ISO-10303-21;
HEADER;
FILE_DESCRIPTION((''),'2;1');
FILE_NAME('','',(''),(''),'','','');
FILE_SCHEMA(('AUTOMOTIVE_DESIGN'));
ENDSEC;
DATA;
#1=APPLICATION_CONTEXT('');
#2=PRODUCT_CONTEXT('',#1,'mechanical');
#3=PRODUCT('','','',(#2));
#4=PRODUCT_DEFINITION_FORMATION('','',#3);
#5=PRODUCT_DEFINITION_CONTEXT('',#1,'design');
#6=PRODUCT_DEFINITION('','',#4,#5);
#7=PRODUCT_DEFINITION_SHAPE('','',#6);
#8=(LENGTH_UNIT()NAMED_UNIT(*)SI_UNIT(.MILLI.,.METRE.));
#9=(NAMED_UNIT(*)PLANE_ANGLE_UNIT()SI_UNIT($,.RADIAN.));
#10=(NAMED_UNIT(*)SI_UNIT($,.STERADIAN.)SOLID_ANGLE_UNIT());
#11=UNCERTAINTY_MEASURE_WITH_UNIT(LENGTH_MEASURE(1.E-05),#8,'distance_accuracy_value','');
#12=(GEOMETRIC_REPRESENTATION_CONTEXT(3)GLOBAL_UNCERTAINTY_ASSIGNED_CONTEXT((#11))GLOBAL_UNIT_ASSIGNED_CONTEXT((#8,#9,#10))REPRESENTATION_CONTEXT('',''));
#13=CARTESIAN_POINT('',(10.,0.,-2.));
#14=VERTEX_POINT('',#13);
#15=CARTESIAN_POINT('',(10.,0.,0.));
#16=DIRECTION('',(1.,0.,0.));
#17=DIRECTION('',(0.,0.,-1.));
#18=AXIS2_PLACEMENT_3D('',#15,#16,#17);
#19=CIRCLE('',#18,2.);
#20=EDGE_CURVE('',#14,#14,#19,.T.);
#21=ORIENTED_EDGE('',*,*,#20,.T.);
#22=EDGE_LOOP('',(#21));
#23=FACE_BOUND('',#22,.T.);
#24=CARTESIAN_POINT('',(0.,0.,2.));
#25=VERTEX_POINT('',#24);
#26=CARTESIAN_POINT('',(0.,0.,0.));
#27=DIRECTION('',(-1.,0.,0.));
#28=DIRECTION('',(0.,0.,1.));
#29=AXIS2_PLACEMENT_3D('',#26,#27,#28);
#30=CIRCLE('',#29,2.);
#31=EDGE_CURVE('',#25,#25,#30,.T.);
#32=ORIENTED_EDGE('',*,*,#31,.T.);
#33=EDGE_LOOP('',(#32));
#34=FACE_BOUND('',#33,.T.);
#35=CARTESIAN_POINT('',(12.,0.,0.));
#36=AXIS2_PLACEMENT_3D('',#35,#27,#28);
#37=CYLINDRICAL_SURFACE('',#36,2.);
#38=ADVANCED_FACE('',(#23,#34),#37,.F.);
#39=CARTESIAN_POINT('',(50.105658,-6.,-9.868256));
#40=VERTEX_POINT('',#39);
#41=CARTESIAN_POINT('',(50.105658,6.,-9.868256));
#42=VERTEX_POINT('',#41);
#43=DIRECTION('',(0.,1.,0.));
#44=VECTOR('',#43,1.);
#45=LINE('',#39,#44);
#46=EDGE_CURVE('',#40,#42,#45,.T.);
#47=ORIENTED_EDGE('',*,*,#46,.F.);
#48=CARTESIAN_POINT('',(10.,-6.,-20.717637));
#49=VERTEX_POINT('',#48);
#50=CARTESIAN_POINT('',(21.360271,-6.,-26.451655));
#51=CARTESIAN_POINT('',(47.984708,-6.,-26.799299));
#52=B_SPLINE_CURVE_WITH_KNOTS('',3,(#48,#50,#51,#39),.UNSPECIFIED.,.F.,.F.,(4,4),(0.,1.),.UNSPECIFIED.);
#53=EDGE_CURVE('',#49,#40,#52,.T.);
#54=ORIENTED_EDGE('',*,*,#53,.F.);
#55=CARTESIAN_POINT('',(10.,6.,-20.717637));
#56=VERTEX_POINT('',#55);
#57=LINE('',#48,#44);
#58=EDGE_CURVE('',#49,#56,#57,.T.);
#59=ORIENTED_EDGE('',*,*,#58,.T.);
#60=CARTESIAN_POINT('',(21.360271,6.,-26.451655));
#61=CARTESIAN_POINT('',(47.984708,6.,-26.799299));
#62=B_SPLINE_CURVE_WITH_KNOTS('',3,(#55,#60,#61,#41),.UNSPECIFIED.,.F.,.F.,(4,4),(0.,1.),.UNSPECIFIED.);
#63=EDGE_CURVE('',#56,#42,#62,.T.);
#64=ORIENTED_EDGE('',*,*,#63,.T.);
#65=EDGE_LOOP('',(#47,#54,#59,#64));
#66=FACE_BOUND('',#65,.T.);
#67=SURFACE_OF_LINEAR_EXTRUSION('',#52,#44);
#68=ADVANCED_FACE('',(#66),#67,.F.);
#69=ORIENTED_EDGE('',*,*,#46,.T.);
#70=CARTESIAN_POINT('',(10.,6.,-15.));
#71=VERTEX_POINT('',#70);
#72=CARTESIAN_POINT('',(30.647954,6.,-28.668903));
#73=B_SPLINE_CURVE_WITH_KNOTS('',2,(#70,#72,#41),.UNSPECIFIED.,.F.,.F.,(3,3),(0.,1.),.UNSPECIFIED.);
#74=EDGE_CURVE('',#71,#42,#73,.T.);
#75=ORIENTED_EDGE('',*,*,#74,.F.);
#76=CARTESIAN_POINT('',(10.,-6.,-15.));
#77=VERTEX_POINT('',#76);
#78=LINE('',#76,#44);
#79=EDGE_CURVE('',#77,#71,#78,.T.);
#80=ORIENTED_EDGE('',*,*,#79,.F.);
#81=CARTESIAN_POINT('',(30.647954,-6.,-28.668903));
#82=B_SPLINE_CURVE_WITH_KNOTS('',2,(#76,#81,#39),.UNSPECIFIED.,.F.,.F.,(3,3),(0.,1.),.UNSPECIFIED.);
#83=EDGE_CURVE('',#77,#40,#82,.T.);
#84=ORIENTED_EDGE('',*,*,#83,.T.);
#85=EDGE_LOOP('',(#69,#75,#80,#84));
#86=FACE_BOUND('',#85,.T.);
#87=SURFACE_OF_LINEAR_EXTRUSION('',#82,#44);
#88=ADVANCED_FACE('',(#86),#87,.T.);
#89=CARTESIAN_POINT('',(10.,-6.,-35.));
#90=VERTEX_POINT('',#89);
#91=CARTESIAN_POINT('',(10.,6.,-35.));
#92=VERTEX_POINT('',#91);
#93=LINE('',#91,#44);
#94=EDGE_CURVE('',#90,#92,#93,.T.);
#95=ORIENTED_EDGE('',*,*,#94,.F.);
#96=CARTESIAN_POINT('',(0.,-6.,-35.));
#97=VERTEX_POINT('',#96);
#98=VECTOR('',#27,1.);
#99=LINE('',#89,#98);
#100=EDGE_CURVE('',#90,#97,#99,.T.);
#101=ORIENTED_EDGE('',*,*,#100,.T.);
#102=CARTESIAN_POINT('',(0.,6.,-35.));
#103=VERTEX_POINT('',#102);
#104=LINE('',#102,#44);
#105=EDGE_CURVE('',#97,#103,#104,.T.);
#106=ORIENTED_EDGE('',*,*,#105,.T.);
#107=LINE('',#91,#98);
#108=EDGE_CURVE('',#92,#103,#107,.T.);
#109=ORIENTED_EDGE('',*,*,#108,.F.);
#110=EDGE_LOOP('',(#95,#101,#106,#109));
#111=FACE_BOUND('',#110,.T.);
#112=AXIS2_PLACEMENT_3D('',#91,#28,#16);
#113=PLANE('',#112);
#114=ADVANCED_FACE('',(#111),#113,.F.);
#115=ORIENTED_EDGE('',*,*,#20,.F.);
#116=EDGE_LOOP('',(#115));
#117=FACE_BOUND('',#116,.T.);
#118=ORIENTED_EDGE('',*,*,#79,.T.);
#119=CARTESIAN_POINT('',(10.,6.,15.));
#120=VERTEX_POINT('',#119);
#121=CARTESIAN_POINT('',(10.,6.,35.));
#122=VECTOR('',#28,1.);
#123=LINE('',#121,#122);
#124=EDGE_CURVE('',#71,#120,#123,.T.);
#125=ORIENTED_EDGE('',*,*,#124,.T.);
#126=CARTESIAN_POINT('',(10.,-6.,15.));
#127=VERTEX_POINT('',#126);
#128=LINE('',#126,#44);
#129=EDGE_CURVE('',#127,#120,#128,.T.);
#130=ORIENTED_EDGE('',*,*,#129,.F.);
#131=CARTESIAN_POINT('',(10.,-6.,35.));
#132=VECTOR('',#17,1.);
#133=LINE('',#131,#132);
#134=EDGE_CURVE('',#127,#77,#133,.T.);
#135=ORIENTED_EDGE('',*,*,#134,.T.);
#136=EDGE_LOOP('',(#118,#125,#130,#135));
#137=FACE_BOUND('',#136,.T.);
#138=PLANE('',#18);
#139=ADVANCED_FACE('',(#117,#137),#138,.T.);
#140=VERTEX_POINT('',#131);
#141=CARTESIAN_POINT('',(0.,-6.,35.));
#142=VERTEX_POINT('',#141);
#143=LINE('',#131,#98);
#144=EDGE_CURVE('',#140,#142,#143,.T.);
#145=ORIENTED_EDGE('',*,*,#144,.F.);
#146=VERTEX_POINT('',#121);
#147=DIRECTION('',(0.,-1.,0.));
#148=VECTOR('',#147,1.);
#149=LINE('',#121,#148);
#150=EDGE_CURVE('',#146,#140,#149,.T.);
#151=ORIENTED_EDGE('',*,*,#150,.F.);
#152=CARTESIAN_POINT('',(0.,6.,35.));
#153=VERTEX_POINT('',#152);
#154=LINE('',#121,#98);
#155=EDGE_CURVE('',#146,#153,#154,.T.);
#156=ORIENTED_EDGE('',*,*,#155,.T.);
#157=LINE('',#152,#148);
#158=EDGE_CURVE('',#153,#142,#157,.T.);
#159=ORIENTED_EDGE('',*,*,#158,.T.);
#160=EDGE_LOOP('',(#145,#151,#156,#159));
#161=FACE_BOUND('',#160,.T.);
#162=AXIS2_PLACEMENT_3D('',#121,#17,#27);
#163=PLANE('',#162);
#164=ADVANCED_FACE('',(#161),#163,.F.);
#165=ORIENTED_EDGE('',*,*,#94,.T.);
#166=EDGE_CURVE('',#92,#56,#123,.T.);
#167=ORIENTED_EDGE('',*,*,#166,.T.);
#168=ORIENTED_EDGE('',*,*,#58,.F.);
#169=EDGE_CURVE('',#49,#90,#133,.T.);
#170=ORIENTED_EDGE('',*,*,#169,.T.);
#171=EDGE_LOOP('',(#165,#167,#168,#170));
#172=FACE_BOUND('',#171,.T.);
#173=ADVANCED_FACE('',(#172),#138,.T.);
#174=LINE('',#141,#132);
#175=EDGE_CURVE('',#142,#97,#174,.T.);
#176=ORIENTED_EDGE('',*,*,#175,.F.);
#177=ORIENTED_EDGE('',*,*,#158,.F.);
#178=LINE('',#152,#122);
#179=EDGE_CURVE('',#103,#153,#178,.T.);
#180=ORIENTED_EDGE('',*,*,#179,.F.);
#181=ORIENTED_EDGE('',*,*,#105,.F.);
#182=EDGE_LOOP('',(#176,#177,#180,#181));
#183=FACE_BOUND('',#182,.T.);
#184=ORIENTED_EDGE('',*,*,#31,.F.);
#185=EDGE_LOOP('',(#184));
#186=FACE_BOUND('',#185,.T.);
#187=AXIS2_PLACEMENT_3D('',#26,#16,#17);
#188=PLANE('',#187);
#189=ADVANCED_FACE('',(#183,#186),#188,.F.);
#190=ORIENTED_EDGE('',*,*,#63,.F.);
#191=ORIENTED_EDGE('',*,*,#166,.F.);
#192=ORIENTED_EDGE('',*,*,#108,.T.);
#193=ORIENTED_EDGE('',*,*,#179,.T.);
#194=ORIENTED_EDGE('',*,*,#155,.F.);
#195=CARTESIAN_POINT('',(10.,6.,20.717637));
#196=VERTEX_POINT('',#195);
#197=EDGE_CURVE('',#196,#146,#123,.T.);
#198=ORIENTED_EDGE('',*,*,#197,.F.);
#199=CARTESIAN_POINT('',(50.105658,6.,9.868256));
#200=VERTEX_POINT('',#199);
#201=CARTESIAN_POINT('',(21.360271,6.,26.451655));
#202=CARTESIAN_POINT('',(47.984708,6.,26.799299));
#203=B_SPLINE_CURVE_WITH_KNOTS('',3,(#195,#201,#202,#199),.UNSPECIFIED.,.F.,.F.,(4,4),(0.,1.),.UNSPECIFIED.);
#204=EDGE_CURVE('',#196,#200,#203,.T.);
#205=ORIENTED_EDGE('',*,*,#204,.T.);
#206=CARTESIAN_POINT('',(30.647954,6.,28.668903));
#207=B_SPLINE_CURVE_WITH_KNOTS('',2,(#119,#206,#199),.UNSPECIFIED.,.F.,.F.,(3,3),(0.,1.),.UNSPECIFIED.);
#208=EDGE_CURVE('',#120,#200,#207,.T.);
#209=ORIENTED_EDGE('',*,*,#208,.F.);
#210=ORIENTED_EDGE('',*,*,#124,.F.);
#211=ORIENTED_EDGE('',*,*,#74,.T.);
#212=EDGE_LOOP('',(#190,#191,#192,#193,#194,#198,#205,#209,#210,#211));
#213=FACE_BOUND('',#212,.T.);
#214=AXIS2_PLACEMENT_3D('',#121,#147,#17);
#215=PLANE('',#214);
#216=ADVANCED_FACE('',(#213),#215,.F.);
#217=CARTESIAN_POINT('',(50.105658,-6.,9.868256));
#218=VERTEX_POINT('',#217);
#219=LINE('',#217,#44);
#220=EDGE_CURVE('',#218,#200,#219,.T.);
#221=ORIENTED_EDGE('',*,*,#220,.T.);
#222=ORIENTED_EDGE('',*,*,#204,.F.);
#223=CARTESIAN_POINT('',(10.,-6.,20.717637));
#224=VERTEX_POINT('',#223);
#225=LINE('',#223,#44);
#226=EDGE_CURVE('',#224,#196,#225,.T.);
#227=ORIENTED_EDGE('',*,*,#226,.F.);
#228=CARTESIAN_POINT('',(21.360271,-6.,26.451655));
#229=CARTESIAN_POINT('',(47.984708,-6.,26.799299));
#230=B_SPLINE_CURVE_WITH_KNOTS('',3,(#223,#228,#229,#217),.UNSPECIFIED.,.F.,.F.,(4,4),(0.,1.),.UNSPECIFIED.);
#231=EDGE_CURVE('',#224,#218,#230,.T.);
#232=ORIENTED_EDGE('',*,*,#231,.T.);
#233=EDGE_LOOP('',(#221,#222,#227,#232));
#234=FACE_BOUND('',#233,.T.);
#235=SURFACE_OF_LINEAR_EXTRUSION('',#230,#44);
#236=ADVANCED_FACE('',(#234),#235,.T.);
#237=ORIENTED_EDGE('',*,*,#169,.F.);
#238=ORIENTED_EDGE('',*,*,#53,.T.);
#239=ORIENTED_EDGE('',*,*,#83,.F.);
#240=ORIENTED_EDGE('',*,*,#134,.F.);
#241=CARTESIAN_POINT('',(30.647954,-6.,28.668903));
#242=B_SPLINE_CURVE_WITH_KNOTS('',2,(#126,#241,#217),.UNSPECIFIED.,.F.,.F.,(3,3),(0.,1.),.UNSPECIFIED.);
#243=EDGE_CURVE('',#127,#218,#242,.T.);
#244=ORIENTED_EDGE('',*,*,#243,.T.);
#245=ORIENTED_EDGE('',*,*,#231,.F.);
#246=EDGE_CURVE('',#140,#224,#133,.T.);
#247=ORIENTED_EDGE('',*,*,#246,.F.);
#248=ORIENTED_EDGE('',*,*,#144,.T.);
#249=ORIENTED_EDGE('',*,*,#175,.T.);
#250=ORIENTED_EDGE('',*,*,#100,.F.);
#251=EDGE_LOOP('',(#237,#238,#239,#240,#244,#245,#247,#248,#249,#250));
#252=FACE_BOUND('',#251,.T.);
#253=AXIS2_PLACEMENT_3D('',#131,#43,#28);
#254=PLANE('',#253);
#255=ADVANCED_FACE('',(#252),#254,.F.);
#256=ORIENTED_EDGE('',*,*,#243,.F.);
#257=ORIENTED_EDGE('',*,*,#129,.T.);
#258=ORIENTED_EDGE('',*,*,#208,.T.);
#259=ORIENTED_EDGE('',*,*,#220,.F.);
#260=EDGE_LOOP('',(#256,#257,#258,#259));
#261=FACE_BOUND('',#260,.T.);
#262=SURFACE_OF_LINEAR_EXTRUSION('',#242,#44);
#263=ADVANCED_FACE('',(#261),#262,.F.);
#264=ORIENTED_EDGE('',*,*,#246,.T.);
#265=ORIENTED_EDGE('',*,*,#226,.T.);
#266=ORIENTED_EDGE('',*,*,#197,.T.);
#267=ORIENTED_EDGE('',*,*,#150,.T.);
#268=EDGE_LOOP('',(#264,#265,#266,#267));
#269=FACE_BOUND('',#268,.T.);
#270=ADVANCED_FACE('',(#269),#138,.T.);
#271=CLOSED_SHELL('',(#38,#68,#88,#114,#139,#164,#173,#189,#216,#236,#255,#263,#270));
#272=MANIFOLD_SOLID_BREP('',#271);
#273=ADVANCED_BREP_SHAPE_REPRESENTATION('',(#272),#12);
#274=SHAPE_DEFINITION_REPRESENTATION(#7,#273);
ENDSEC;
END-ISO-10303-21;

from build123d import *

# Parameters (mm, degrees)
SKETCH1_W           = 70
SKETCH1_H           = 12
BOSS_EXTRUDE1_DEPTH = 10
BOSS_EXTRUDE2_DEPTH = 12
SKETCH3_R           = 2
CUT_EXTRUDE1_DEPTH  = 12


with BuildPart() as part:
    # Sketch1 → Boss-Extrude1 (new body)
    with BuildSketch(Plane(origin=(0, 0, 0), x_dir=(0, 0, -1), z_dir=(1, 0, 0))):
        Rectangle(SKETCH1_W, SKETCH1_H)
    extrude(amount=BOSS_EXTRUDE1_DEPTH)

    # Sketch2 → Boss-Extrude2 (add)
    with BuildSketch(Plane(origin=(0, 6, 0), x_dir=(1, 0, 0), z_dir=(0, 1, 0))):
        with BuildLine():
            add(Edge.make_bspline(
                [(10, -15), (30.647953976, -28.668903478), (50.105658194, -9.868255971)],
                knots=[0, 0, 0, 1, 1, 1], degree=2))
            Line((10, -15), (10, -20.717636889))
            add(Edge.make_bspline(
                [(10, -20.717636889), (21.360270844, -26.451655212), (47.984708218, -26.799299217), (50.105658194, -9.868255971)],
                knots=[0, 0, 0, 0, 1, 1, 1, 1], degree=3))
        make_face()
        with BuildLine():
            Line((10, 20.717636889), (10, 15))
            add(Edge.make_bspline(
                [(10, 15), (30.647953976, 28.668903478), (50.105658194, 9.868255971)],
                knots=[0, 0, 0, 1, 1, 1], degree=2))
            add(Edge.make_bspline(
                [(10, 20.717636889), (21.360270844, 26.451655212), (47.984708218, 26.799299217), (50.105658194, 9.868255971)],
                knots=[0, 0, 0, 0, 1, 1, 1, 1], degree=3))
        make_face()
    extrude(amount=-BOSS_EXTRUDE2_DEPTH)

    # Sketch3 → Cut-Extrude1 (cut)
    with BuildSketch(Plane.ZY):
        Circle(SKETCH3_R)
    extrude(amount=-CUT_EXTRUDE1_DEPTH, mode=Mode.SUBTRACT)


solid = part.part
